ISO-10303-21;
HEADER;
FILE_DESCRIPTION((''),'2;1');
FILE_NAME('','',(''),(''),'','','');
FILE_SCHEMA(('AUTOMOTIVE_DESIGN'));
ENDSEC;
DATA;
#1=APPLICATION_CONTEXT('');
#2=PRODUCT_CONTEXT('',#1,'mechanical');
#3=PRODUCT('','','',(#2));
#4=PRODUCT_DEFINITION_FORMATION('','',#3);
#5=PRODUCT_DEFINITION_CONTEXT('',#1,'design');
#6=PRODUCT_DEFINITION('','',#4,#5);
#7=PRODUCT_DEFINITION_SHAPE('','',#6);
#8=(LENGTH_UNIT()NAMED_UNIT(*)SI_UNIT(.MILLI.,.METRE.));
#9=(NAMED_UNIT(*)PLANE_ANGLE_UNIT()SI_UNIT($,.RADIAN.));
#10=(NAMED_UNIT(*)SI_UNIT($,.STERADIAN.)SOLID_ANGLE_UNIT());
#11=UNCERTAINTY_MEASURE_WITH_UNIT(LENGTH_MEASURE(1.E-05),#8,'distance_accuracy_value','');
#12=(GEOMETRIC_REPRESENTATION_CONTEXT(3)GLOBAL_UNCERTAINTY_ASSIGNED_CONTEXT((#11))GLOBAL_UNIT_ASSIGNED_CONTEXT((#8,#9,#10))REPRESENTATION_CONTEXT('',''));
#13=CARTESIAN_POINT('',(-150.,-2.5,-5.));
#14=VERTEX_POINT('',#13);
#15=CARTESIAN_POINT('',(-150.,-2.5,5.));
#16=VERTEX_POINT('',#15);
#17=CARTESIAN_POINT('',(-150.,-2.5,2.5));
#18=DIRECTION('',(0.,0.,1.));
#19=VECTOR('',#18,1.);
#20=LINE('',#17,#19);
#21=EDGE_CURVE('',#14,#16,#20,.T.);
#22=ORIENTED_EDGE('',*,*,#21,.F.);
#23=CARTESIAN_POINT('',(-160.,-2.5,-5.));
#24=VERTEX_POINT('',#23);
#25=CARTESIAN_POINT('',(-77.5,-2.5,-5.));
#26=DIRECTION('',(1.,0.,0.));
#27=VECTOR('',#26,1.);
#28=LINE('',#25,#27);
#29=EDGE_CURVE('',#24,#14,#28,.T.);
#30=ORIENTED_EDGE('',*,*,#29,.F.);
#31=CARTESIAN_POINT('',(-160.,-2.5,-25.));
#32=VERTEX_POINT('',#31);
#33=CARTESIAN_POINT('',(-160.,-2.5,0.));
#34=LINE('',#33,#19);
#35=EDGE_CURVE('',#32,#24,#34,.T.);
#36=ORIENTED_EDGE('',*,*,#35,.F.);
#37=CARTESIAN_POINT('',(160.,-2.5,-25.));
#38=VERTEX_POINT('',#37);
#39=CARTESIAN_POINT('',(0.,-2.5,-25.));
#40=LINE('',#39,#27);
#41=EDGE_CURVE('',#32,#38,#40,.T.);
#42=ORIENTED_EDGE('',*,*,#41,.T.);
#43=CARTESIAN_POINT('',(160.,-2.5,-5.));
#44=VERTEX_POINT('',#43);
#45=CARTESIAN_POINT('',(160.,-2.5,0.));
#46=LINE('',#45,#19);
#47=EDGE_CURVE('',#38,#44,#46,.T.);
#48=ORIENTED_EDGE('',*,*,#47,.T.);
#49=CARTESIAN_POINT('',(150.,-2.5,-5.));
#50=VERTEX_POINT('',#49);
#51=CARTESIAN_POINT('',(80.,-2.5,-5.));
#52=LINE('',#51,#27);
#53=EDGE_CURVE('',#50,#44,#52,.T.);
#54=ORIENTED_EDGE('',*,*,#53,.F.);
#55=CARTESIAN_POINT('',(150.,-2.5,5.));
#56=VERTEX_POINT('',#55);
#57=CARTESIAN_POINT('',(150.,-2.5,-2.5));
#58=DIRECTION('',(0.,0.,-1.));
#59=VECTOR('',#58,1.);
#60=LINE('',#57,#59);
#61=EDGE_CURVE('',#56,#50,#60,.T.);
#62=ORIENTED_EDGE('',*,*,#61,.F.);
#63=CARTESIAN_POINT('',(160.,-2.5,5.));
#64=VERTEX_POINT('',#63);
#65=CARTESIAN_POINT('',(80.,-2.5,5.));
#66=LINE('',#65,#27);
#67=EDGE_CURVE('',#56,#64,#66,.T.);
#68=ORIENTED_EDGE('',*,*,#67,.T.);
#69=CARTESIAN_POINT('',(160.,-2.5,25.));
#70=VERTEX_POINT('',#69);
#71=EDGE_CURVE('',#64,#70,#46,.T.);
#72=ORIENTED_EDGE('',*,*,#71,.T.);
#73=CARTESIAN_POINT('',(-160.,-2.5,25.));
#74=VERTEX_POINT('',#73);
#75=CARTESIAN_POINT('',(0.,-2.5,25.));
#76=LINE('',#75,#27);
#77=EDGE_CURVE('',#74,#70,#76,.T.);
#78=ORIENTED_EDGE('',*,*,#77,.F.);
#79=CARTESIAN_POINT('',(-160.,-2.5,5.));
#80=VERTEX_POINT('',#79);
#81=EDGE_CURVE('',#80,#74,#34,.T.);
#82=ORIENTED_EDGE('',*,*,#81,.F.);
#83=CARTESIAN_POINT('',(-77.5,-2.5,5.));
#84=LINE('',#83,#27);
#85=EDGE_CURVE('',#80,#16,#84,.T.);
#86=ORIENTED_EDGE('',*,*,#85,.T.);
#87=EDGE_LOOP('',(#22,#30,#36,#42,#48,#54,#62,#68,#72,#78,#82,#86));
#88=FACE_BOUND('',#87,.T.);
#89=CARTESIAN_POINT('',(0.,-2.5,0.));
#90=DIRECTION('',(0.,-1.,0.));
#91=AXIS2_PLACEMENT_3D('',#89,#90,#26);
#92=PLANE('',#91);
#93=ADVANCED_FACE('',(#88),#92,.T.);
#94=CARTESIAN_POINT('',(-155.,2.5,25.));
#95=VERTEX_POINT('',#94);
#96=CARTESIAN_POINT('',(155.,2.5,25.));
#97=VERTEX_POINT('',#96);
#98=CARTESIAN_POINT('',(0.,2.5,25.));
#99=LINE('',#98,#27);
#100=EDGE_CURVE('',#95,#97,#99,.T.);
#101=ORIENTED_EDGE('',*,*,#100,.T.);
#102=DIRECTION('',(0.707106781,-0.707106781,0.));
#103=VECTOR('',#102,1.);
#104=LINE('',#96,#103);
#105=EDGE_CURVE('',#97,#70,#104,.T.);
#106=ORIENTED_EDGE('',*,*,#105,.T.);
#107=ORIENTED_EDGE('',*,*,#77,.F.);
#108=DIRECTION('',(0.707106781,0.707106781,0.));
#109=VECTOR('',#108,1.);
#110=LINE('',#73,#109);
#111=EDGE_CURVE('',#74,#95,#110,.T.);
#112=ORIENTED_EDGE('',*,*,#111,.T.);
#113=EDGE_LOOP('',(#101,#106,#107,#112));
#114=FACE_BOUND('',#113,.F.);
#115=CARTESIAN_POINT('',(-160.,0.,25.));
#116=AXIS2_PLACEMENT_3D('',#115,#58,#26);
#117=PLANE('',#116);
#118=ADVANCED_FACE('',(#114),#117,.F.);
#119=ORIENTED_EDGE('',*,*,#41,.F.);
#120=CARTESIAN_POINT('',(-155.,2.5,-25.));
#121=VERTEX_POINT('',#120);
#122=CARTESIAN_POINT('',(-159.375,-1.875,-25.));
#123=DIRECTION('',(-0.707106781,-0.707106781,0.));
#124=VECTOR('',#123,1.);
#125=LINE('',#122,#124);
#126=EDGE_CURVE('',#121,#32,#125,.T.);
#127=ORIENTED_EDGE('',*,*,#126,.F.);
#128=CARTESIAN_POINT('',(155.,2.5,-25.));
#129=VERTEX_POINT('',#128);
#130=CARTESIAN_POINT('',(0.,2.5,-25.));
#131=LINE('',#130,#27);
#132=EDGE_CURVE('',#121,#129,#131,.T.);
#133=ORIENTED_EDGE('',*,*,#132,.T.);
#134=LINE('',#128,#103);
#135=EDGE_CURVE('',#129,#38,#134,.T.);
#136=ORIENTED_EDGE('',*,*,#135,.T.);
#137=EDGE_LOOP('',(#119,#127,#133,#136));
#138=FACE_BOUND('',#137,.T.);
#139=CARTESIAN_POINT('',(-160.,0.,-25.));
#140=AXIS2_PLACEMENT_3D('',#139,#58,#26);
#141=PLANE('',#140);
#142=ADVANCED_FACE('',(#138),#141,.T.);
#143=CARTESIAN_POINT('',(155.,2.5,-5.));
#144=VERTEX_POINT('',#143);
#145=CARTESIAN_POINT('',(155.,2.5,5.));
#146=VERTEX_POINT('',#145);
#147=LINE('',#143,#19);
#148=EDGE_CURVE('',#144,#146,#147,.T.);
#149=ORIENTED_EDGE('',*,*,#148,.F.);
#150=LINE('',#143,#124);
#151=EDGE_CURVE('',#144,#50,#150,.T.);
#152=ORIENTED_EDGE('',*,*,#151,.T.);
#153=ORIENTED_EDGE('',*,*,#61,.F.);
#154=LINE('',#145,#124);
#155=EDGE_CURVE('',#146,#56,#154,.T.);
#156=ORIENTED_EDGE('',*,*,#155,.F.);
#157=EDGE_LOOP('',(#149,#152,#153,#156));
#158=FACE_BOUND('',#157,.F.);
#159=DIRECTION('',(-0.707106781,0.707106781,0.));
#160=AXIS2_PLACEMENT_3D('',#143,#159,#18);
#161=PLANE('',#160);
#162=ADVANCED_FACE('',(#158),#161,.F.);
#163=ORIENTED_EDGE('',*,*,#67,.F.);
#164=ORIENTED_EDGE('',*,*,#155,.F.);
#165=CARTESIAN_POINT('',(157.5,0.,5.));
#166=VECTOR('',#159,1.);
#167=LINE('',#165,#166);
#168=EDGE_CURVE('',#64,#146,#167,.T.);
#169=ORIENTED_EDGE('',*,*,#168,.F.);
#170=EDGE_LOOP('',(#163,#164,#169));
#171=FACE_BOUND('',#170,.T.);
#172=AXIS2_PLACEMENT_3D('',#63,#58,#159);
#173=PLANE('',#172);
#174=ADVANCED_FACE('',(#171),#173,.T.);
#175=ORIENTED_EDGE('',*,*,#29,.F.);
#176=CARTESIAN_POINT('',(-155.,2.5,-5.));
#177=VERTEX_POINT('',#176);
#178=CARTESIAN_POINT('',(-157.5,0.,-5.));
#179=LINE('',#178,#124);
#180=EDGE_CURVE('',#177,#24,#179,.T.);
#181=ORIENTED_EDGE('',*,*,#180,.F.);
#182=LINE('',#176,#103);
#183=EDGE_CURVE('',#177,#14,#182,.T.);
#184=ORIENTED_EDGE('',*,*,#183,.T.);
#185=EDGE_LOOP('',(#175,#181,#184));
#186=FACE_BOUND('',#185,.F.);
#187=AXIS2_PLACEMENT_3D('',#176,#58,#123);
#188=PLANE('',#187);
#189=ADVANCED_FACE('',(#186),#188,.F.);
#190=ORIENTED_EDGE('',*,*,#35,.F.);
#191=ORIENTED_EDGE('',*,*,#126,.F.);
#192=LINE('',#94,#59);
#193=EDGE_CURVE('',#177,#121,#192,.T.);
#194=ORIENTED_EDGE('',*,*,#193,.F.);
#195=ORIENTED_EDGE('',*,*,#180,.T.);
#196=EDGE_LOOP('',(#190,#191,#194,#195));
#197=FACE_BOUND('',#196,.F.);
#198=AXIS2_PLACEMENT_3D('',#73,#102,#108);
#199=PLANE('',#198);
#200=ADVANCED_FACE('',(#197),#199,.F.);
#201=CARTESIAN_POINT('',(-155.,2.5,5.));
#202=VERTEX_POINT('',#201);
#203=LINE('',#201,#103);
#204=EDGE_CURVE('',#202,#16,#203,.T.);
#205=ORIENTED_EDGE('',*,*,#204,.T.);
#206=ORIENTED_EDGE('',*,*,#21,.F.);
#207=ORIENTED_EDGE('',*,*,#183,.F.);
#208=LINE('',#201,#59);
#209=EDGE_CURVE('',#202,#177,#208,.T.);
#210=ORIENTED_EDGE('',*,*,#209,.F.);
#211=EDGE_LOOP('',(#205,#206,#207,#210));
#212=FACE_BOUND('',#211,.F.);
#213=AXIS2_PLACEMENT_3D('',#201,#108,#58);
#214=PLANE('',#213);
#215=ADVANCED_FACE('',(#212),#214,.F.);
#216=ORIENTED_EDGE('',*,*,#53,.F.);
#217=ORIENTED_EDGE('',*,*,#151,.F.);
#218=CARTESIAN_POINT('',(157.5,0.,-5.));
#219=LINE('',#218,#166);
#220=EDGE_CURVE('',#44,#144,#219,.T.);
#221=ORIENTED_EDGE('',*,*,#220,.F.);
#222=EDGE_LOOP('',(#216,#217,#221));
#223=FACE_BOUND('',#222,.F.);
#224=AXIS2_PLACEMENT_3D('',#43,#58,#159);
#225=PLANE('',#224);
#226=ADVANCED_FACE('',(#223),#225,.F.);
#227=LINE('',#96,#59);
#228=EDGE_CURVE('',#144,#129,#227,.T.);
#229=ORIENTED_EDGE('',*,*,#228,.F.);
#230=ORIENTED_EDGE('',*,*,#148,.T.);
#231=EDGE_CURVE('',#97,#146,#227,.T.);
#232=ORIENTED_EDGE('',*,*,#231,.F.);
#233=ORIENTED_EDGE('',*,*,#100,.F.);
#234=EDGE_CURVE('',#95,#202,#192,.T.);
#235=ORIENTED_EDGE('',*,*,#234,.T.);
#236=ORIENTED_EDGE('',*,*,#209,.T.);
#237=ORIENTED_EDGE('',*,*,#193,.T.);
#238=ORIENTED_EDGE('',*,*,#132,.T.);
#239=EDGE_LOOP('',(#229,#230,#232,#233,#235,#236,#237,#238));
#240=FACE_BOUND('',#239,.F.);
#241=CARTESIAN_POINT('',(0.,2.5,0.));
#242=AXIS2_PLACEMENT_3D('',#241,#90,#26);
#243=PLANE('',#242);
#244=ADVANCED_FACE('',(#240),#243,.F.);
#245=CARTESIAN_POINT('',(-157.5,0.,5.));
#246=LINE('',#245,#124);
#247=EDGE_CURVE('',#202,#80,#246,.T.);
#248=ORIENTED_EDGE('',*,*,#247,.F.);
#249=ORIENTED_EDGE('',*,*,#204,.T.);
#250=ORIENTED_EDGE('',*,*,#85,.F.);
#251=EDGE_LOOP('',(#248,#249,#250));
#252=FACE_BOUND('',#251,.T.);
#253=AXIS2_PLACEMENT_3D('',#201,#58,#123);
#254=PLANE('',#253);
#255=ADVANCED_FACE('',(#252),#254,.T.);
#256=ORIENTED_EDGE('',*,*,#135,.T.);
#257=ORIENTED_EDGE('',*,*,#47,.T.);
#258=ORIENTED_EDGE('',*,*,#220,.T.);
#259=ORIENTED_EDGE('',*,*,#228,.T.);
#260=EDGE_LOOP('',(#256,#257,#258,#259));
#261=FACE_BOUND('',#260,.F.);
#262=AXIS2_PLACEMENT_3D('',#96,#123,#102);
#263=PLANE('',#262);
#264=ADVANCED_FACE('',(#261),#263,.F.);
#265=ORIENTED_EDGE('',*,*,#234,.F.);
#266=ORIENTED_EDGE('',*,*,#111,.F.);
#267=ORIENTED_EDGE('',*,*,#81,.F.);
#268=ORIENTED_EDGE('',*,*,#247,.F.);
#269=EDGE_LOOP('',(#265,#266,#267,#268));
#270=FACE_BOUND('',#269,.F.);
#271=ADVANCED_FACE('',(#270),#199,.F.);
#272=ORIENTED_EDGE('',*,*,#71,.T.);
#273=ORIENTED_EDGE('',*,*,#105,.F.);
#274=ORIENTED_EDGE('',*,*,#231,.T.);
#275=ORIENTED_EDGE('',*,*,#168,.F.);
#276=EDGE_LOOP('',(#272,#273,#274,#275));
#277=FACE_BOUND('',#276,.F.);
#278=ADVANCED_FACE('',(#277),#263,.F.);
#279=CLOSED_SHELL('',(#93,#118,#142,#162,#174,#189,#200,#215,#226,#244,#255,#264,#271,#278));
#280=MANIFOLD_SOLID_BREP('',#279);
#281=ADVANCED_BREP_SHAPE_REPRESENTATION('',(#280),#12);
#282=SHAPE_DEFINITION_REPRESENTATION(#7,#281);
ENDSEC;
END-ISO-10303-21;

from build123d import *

# Parameters (mm, degrees)
F0_W     = 320
F0_H     = 50
F1_DEPTH = 2.5
F3_DEPTH = 50
F5_DEPTH = 60
F6_W     = 7.071068
F6_H     = 5
F7_DEPTH = 25
F8_W     = 7.071068
F8_H     = 5
F9_DEPTH = 25


with BuildPart() as f1:
    # F0 (on Front) → F1 (new body, symmetric)
    with BuildSketch(Plane.XZ):
        Rectangle(F0_W, F0_H)
    extrude(amount=F1_DEPTH, both=True)

    # F2 (on face) → F3 (cut)
    with BuildSketch(Plane.XY.offset(25)):
        Polygon((155, 2.5), (160, -2.5), (160, 2.5), align=None)
    extrude(amount=-F3_DEPTH, mode=Mode.SUBTRACT)

    # F4 (on face) → F5 (cut)
    with BuildSketch(Plane.XY.offset(25)):
        Polygon((-155, 2.5), (-160, 2.5), (-160, -2.5), align=None)
    extrude(amount=-F5_DEPTH, mode=Mode.SUBTRACT)

    # F6 (on face) → F7 (cut)
    with BuildSketch(Plane(origin=(78.75, 78.75, 0), x_dir=(-0.707107, 0.707107, 0), z_dir=(0.707107, 0.707107, 0))):
        with Locations((-111.369318, -2.5)):
            Rectangle(F6_W, F6_H)
        with Locations((-111.369318, 2.5)):
            Rectangle(F6_W, F6_H)
    extrude(amount=-F7_DEPTH, mode=Mode.SUBTRACT)

    # F8 (on face) → F9 (cut)
    with BuildSketch(Plane(origin=(-78.75, 78.75, 0), x_dir=(-0.707107, -0.707107, 0), z_dir=(-0.707107, 0.707107, 0))):
        with Locations((111.369318, -2.5)):
            Rectangle(F8_W, F8_H)
        with Locations((111.369318, 2.5)):
            Rectangle(F8_W, F8_H)
    extrude(amount=-F9_DEPTH, mode=Mode.SUBTRACT)


solid = f1.part
